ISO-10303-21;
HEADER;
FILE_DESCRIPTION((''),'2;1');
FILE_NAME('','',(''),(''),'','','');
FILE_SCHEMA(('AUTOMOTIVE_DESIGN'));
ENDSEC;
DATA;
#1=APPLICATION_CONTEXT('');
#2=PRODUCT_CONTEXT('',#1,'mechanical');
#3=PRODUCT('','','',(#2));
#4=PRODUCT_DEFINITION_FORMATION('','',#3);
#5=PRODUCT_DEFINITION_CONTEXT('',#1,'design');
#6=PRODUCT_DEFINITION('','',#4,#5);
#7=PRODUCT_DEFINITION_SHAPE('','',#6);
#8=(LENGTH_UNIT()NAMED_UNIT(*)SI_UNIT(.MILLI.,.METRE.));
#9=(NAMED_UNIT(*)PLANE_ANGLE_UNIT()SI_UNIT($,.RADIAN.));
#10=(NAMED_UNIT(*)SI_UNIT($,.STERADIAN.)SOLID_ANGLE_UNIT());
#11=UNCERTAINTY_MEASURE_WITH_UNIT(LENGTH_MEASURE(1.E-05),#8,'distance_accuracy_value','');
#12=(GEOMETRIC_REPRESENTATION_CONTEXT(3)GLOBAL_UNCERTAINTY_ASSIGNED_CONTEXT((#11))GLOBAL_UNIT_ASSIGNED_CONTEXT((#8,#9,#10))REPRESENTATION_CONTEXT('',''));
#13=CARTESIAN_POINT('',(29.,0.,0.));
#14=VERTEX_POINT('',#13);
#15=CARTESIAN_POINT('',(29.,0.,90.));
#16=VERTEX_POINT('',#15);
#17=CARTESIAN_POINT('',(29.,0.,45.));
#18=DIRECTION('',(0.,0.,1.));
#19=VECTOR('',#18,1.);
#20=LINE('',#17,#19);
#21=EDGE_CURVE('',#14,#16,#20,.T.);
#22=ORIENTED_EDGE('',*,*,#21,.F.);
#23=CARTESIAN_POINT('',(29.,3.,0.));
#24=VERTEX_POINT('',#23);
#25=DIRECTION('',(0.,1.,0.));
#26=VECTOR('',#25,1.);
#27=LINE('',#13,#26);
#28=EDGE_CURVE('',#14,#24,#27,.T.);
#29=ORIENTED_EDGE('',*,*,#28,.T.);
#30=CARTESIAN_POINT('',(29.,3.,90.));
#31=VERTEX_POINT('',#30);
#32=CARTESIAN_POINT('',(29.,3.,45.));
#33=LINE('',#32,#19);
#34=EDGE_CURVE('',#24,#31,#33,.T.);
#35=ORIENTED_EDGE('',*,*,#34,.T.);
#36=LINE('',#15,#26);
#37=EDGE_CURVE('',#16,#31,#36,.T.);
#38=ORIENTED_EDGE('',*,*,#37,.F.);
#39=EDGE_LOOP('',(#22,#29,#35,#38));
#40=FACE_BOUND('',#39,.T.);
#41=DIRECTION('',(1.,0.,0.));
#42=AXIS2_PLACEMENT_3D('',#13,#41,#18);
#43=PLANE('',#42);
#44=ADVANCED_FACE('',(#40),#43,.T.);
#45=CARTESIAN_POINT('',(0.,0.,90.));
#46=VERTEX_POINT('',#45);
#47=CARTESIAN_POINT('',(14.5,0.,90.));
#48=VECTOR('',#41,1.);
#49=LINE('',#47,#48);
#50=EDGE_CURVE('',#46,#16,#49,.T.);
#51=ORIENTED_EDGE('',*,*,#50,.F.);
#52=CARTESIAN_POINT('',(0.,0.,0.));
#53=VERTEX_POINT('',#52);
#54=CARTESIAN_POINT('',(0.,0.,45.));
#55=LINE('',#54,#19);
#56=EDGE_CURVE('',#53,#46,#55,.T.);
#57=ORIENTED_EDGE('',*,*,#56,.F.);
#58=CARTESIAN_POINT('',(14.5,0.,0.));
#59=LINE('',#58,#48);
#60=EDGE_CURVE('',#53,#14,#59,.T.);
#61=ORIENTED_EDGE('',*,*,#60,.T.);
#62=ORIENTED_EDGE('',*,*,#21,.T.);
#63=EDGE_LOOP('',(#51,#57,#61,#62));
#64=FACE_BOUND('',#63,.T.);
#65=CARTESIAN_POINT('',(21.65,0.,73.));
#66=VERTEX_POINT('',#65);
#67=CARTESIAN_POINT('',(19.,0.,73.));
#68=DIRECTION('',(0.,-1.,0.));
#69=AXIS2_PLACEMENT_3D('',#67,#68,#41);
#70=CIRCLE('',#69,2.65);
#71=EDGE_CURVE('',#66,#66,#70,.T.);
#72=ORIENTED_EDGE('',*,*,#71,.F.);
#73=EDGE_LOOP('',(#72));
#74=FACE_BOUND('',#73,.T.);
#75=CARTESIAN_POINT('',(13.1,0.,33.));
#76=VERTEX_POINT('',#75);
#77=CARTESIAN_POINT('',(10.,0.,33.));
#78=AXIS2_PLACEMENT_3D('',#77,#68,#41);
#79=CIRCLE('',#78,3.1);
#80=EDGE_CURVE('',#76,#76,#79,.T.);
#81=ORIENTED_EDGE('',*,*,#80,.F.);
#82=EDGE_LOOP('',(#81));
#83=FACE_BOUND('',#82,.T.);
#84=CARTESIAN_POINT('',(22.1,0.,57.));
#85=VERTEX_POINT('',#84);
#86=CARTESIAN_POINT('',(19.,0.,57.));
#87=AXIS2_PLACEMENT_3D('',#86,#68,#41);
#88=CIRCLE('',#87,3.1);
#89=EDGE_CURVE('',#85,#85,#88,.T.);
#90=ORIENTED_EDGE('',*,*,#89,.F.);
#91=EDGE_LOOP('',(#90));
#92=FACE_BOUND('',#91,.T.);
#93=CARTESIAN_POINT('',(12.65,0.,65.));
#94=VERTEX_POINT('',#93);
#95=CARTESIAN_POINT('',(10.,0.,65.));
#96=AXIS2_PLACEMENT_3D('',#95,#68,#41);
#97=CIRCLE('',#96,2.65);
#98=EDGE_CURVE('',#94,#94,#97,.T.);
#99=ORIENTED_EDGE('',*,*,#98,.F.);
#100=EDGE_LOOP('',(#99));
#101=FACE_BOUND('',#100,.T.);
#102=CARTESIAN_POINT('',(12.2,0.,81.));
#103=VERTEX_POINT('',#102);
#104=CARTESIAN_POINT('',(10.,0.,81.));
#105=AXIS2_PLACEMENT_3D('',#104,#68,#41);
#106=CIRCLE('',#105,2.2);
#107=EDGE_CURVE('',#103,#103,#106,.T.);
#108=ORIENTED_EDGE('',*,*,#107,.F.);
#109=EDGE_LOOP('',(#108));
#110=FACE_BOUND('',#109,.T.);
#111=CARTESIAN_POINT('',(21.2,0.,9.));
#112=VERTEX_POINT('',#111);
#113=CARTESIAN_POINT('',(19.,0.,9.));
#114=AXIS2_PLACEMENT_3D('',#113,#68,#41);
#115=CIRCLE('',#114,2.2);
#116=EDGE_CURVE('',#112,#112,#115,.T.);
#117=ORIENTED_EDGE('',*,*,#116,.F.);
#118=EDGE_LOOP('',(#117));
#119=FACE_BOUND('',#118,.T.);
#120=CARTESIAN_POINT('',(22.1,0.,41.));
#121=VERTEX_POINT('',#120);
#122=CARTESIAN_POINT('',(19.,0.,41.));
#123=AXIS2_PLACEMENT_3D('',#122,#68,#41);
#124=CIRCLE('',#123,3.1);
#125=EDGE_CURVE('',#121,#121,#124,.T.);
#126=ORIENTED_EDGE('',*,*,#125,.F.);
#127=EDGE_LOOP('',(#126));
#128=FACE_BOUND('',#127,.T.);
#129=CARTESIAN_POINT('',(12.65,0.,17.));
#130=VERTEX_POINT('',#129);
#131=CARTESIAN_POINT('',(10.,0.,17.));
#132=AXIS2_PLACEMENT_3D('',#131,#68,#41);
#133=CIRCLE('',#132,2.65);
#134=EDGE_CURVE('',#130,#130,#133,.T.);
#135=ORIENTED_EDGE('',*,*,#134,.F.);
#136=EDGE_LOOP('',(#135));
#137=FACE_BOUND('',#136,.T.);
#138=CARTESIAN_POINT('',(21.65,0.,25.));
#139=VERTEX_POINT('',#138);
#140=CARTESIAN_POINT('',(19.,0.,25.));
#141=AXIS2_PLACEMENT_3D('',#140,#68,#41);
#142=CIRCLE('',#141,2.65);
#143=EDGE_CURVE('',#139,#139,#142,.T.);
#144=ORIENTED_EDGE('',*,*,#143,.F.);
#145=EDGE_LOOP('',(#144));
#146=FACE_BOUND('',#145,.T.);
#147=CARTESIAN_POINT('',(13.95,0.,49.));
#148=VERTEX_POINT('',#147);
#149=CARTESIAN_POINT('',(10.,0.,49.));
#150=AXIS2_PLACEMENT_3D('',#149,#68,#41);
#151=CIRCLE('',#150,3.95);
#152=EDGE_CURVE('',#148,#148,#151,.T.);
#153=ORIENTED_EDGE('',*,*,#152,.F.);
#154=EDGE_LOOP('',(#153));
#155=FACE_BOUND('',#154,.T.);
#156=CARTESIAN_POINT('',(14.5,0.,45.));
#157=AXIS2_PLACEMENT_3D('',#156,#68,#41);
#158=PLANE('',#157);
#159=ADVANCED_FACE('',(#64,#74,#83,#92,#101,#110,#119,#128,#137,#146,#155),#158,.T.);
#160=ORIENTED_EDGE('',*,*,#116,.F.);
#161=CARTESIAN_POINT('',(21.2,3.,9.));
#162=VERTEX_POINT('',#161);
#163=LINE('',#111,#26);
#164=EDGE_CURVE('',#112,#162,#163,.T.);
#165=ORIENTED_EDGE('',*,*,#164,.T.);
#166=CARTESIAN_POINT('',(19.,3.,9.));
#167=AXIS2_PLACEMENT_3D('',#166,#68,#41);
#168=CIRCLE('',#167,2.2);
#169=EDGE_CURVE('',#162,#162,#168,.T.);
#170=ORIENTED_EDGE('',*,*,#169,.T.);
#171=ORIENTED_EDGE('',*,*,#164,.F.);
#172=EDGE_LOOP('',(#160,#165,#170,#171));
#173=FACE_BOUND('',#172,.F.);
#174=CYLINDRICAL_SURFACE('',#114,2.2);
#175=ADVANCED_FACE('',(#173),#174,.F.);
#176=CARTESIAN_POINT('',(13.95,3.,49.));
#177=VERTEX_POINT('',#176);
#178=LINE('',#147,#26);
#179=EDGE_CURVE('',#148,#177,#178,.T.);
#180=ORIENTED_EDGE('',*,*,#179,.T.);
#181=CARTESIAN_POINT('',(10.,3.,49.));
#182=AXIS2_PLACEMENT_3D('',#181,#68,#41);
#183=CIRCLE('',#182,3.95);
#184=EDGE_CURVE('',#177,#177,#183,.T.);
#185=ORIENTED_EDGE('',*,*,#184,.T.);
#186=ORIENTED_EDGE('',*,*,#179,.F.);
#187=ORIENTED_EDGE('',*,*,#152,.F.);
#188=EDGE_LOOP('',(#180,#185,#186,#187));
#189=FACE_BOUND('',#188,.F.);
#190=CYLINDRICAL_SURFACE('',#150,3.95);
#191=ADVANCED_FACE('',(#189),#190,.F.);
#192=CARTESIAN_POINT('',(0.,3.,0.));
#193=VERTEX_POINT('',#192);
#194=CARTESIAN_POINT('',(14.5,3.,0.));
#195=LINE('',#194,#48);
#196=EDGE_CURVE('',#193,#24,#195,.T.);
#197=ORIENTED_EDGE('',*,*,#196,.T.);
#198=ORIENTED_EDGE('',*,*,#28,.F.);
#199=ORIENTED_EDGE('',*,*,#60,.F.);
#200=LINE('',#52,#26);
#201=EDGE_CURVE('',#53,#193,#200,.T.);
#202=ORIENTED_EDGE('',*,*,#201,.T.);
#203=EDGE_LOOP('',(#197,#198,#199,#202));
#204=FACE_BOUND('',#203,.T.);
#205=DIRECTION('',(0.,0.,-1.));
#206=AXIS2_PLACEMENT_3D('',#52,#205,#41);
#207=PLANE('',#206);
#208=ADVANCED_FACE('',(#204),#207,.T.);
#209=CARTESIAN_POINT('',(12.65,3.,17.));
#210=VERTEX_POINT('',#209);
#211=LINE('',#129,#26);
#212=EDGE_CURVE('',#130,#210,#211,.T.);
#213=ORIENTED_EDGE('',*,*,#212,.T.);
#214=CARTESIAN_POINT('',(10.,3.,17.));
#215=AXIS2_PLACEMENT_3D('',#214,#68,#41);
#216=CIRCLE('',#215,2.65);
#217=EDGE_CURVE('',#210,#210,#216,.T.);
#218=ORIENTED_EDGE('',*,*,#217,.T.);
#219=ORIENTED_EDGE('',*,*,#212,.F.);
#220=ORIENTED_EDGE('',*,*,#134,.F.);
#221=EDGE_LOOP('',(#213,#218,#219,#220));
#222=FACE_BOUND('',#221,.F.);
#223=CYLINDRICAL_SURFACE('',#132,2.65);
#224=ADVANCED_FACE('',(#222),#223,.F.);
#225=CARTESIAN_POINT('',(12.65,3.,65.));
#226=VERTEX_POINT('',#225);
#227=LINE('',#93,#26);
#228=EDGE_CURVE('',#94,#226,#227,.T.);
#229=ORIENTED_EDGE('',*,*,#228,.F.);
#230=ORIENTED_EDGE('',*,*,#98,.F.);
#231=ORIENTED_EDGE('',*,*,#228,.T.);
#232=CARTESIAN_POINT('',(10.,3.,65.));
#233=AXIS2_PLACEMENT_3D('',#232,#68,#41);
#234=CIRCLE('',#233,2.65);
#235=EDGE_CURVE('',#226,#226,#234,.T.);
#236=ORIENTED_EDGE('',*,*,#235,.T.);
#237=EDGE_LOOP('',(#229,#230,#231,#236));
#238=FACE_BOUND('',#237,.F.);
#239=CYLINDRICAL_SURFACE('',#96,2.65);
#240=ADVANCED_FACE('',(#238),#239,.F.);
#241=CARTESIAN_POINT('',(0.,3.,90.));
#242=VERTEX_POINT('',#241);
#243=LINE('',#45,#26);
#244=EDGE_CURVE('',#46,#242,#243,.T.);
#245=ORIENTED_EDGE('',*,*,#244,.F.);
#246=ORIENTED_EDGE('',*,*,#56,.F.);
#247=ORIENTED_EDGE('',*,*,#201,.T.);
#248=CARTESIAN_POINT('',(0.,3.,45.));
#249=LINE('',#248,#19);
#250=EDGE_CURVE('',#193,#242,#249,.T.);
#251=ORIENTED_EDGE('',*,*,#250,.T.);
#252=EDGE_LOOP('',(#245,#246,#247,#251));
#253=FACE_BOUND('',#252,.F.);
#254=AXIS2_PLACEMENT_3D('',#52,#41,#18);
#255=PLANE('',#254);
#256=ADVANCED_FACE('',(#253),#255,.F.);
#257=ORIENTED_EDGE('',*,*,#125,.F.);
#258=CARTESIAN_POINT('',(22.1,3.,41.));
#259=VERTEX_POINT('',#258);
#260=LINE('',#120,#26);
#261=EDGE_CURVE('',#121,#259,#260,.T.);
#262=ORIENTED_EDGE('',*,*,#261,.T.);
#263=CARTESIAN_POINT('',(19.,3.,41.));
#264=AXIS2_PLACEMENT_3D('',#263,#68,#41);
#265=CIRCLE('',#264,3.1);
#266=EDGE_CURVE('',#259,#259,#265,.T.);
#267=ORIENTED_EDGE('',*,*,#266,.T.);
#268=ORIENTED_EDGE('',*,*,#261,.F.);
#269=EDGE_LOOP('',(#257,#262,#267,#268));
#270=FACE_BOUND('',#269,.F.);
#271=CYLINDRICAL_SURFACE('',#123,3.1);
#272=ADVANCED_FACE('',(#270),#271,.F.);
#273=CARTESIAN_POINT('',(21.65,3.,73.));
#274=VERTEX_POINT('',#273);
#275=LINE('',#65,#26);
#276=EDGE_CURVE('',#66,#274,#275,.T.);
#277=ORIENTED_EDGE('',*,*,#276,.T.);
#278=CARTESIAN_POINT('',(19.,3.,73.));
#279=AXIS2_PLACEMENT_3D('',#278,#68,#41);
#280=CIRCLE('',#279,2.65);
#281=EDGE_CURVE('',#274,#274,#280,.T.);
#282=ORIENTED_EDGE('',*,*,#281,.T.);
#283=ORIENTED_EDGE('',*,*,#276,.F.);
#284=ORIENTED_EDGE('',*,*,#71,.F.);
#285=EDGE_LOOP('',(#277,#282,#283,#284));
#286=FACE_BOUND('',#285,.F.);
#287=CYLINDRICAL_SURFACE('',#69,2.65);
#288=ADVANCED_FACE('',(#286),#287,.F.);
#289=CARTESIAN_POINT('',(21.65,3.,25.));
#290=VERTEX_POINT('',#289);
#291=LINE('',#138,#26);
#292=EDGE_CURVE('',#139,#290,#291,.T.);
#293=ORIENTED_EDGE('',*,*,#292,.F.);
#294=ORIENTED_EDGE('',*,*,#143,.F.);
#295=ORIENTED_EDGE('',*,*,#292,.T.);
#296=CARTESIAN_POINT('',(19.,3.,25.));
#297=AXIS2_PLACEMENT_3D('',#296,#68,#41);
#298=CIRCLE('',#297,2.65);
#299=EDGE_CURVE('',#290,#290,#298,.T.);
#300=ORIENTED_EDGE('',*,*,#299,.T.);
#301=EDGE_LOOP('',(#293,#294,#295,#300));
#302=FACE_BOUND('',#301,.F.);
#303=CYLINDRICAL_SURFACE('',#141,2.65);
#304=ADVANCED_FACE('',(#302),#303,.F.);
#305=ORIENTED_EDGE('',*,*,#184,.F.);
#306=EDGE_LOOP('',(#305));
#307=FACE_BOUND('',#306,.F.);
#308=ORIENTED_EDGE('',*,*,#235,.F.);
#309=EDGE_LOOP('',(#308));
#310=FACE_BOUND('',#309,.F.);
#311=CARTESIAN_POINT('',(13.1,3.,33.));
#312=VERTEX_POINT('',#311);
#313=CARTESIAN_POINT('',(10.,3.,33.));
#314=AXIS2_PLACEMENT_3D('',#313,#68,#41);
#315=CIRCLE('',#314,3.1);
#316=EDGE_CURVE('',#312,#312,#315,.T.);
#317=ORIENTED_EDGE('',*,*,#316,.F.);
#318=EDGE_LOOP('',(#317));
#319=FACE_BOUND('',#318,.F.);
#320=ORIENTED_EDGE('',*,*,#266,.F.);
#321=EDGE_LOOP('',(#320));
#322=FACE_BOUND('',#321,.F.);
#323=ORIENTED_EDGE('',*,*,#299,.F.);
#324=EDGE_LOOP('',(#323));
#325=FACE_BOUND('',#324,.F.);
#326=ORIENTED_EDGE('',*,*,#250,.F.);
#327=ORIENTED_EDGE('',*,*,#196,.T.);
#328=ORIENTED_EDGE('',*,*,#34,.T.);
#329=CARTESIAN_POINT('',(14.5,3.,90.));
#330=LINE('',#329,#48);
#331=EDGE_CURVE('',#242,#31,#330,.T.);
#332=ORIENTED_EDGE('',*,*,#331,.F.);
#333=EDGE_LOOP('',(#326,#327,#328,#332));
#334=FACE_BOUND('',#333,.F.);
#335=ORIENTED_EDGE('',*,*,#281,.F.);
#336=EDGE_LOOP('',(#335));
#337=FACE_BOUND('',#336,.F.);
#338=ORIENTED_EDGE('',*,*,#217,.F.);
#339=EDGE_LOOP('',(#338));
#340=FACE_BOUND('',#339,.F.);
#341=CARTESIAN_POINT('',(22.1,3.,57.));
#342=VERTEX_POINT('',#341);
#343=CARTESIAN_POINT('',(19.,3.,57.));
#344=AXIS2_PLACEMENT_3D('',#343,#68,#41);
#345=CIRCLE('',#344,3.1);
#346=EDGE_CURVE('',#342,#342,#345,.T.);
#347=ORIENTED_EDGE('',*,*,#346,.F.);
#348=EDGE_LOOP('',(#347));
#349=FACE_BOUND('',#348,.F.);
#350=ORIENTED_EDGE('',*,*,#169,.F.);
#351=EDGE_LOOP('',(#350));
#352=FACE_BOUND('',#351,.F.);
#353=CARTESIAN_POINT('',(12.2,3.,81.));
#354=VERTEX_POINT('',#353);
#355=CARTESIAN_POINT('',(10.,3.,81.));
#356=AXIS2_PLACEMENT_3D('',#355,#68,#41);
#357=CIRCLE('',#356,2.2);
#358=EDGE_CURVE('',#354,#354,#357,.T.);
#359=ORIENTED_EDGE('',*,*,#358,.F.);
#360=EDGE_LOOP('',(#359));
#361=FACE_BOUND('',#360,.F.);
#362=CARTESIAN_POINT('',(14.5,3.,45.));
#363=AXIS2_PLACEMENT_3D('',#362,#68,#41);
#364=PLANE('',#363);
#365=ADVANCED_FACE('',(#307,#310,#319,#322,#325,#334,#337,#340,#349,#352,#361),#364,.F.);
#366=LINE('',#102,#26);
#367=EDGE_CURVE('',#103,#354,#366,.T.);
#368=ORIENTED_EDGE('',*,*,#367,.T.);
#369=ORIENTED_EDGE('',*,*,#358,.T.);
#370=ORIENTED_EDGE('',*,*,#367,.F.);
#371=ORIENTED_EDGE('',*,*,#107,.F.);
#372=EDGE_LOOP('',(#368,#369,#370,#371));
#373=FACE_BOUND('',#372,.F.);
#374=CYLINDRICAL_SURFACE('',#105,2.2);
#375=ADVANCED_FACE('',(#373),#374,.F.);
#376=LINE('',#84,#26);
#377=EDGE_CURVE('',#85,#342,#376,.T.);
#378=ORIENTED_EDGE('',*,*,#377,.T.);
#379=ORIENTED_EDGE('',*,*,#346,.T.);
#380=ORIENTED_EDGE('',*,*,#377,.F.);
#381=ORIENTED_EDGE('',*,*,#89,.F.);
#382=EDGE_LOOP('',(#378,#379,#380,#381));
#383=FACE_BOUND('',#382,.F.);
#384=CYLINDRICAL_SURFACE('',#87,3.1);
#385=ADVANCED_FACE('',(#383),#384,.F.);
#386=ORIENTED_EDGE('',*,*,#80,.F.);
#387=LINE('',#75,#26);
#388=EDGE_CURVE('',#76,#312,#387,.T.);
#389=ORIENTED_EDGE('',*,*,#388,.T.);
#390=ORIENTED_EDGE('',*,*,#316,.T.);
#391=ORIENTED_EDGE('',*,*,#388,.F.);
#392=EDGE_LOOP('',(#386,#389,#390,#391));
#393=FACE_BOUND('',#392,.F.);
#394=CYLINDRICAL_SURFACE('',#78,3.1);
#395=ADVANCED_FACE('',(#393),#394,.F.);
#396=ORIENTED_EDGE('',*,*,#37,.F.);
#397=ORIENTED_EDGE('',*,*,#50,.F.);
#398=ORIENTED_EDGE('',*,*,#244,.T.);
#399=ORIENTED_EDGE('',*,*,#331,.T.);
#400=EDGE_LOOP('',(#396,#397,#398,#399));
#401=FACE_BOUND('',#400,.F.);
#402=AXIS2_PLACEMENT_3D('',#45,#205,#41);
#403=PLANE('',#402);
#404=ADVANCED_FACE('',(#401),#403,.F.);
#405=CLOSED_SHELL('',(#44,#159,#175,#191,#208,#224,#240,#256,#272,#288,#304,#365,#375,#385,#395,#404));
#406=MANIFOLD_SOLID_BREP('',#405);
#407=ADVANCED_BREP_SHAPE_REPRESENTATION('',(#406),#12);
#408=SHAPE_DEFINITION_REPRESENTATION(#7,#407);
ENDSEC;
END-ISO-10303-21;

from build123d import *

# Parameters (mm, degrees)
F0_W     = 29
F0_H     = 90
F0_R     = 2.65
F0_R_2   = 3.1
F0_R_3   = 2.2
F0_R_4   = 3.95
F1_DEPTH = 3


with BuildPart() as f1:
    # F0 (on Front) → F1 (new body)
    with BuildSketch(Plane.XZ):
        with Locations((14.5, 45)):
            Rectangle(F0_W, F0_H)
        with Locations((10, 17)):
            Circle(F0_R, mode=Mode.SUBTRACT)
        with Locations((10, 33)):
            Circle(F0_R_2, mode=Mode.SUBTRACT)
        with Locations((19, 9)):
            Circle(F0_R_3, mode=Mode.SUBTRACT)
        with Locations((19, 25)):
            Circle(F0_R, mode=Mode.SUBTRACT)
        with Locations((19, 41)):
            Circle(F0_R_2, mode=Mode.SUBTRACT)
        with Locations((10, 49)):
            Circle(F0_R_4, mode=Mode.SUBTRACT)
        with Locations((10, 65)):
            Circle(F0_R, mode=Mode.SUBTRACT)
        with Locations((10, 81)):
            Circle(F0_R_3, mode=Mode.SUBTRACT)
        with Locations((19, 57)):
            Circle(F0_R_2, mode=Mode.SUBTRACT)
        with Locations((19, 73)):
            Circle(F0_R, mode=Mode.SUBTRACT)
    extrude(amount=-F1_DEPTH)


solid = f1.part
